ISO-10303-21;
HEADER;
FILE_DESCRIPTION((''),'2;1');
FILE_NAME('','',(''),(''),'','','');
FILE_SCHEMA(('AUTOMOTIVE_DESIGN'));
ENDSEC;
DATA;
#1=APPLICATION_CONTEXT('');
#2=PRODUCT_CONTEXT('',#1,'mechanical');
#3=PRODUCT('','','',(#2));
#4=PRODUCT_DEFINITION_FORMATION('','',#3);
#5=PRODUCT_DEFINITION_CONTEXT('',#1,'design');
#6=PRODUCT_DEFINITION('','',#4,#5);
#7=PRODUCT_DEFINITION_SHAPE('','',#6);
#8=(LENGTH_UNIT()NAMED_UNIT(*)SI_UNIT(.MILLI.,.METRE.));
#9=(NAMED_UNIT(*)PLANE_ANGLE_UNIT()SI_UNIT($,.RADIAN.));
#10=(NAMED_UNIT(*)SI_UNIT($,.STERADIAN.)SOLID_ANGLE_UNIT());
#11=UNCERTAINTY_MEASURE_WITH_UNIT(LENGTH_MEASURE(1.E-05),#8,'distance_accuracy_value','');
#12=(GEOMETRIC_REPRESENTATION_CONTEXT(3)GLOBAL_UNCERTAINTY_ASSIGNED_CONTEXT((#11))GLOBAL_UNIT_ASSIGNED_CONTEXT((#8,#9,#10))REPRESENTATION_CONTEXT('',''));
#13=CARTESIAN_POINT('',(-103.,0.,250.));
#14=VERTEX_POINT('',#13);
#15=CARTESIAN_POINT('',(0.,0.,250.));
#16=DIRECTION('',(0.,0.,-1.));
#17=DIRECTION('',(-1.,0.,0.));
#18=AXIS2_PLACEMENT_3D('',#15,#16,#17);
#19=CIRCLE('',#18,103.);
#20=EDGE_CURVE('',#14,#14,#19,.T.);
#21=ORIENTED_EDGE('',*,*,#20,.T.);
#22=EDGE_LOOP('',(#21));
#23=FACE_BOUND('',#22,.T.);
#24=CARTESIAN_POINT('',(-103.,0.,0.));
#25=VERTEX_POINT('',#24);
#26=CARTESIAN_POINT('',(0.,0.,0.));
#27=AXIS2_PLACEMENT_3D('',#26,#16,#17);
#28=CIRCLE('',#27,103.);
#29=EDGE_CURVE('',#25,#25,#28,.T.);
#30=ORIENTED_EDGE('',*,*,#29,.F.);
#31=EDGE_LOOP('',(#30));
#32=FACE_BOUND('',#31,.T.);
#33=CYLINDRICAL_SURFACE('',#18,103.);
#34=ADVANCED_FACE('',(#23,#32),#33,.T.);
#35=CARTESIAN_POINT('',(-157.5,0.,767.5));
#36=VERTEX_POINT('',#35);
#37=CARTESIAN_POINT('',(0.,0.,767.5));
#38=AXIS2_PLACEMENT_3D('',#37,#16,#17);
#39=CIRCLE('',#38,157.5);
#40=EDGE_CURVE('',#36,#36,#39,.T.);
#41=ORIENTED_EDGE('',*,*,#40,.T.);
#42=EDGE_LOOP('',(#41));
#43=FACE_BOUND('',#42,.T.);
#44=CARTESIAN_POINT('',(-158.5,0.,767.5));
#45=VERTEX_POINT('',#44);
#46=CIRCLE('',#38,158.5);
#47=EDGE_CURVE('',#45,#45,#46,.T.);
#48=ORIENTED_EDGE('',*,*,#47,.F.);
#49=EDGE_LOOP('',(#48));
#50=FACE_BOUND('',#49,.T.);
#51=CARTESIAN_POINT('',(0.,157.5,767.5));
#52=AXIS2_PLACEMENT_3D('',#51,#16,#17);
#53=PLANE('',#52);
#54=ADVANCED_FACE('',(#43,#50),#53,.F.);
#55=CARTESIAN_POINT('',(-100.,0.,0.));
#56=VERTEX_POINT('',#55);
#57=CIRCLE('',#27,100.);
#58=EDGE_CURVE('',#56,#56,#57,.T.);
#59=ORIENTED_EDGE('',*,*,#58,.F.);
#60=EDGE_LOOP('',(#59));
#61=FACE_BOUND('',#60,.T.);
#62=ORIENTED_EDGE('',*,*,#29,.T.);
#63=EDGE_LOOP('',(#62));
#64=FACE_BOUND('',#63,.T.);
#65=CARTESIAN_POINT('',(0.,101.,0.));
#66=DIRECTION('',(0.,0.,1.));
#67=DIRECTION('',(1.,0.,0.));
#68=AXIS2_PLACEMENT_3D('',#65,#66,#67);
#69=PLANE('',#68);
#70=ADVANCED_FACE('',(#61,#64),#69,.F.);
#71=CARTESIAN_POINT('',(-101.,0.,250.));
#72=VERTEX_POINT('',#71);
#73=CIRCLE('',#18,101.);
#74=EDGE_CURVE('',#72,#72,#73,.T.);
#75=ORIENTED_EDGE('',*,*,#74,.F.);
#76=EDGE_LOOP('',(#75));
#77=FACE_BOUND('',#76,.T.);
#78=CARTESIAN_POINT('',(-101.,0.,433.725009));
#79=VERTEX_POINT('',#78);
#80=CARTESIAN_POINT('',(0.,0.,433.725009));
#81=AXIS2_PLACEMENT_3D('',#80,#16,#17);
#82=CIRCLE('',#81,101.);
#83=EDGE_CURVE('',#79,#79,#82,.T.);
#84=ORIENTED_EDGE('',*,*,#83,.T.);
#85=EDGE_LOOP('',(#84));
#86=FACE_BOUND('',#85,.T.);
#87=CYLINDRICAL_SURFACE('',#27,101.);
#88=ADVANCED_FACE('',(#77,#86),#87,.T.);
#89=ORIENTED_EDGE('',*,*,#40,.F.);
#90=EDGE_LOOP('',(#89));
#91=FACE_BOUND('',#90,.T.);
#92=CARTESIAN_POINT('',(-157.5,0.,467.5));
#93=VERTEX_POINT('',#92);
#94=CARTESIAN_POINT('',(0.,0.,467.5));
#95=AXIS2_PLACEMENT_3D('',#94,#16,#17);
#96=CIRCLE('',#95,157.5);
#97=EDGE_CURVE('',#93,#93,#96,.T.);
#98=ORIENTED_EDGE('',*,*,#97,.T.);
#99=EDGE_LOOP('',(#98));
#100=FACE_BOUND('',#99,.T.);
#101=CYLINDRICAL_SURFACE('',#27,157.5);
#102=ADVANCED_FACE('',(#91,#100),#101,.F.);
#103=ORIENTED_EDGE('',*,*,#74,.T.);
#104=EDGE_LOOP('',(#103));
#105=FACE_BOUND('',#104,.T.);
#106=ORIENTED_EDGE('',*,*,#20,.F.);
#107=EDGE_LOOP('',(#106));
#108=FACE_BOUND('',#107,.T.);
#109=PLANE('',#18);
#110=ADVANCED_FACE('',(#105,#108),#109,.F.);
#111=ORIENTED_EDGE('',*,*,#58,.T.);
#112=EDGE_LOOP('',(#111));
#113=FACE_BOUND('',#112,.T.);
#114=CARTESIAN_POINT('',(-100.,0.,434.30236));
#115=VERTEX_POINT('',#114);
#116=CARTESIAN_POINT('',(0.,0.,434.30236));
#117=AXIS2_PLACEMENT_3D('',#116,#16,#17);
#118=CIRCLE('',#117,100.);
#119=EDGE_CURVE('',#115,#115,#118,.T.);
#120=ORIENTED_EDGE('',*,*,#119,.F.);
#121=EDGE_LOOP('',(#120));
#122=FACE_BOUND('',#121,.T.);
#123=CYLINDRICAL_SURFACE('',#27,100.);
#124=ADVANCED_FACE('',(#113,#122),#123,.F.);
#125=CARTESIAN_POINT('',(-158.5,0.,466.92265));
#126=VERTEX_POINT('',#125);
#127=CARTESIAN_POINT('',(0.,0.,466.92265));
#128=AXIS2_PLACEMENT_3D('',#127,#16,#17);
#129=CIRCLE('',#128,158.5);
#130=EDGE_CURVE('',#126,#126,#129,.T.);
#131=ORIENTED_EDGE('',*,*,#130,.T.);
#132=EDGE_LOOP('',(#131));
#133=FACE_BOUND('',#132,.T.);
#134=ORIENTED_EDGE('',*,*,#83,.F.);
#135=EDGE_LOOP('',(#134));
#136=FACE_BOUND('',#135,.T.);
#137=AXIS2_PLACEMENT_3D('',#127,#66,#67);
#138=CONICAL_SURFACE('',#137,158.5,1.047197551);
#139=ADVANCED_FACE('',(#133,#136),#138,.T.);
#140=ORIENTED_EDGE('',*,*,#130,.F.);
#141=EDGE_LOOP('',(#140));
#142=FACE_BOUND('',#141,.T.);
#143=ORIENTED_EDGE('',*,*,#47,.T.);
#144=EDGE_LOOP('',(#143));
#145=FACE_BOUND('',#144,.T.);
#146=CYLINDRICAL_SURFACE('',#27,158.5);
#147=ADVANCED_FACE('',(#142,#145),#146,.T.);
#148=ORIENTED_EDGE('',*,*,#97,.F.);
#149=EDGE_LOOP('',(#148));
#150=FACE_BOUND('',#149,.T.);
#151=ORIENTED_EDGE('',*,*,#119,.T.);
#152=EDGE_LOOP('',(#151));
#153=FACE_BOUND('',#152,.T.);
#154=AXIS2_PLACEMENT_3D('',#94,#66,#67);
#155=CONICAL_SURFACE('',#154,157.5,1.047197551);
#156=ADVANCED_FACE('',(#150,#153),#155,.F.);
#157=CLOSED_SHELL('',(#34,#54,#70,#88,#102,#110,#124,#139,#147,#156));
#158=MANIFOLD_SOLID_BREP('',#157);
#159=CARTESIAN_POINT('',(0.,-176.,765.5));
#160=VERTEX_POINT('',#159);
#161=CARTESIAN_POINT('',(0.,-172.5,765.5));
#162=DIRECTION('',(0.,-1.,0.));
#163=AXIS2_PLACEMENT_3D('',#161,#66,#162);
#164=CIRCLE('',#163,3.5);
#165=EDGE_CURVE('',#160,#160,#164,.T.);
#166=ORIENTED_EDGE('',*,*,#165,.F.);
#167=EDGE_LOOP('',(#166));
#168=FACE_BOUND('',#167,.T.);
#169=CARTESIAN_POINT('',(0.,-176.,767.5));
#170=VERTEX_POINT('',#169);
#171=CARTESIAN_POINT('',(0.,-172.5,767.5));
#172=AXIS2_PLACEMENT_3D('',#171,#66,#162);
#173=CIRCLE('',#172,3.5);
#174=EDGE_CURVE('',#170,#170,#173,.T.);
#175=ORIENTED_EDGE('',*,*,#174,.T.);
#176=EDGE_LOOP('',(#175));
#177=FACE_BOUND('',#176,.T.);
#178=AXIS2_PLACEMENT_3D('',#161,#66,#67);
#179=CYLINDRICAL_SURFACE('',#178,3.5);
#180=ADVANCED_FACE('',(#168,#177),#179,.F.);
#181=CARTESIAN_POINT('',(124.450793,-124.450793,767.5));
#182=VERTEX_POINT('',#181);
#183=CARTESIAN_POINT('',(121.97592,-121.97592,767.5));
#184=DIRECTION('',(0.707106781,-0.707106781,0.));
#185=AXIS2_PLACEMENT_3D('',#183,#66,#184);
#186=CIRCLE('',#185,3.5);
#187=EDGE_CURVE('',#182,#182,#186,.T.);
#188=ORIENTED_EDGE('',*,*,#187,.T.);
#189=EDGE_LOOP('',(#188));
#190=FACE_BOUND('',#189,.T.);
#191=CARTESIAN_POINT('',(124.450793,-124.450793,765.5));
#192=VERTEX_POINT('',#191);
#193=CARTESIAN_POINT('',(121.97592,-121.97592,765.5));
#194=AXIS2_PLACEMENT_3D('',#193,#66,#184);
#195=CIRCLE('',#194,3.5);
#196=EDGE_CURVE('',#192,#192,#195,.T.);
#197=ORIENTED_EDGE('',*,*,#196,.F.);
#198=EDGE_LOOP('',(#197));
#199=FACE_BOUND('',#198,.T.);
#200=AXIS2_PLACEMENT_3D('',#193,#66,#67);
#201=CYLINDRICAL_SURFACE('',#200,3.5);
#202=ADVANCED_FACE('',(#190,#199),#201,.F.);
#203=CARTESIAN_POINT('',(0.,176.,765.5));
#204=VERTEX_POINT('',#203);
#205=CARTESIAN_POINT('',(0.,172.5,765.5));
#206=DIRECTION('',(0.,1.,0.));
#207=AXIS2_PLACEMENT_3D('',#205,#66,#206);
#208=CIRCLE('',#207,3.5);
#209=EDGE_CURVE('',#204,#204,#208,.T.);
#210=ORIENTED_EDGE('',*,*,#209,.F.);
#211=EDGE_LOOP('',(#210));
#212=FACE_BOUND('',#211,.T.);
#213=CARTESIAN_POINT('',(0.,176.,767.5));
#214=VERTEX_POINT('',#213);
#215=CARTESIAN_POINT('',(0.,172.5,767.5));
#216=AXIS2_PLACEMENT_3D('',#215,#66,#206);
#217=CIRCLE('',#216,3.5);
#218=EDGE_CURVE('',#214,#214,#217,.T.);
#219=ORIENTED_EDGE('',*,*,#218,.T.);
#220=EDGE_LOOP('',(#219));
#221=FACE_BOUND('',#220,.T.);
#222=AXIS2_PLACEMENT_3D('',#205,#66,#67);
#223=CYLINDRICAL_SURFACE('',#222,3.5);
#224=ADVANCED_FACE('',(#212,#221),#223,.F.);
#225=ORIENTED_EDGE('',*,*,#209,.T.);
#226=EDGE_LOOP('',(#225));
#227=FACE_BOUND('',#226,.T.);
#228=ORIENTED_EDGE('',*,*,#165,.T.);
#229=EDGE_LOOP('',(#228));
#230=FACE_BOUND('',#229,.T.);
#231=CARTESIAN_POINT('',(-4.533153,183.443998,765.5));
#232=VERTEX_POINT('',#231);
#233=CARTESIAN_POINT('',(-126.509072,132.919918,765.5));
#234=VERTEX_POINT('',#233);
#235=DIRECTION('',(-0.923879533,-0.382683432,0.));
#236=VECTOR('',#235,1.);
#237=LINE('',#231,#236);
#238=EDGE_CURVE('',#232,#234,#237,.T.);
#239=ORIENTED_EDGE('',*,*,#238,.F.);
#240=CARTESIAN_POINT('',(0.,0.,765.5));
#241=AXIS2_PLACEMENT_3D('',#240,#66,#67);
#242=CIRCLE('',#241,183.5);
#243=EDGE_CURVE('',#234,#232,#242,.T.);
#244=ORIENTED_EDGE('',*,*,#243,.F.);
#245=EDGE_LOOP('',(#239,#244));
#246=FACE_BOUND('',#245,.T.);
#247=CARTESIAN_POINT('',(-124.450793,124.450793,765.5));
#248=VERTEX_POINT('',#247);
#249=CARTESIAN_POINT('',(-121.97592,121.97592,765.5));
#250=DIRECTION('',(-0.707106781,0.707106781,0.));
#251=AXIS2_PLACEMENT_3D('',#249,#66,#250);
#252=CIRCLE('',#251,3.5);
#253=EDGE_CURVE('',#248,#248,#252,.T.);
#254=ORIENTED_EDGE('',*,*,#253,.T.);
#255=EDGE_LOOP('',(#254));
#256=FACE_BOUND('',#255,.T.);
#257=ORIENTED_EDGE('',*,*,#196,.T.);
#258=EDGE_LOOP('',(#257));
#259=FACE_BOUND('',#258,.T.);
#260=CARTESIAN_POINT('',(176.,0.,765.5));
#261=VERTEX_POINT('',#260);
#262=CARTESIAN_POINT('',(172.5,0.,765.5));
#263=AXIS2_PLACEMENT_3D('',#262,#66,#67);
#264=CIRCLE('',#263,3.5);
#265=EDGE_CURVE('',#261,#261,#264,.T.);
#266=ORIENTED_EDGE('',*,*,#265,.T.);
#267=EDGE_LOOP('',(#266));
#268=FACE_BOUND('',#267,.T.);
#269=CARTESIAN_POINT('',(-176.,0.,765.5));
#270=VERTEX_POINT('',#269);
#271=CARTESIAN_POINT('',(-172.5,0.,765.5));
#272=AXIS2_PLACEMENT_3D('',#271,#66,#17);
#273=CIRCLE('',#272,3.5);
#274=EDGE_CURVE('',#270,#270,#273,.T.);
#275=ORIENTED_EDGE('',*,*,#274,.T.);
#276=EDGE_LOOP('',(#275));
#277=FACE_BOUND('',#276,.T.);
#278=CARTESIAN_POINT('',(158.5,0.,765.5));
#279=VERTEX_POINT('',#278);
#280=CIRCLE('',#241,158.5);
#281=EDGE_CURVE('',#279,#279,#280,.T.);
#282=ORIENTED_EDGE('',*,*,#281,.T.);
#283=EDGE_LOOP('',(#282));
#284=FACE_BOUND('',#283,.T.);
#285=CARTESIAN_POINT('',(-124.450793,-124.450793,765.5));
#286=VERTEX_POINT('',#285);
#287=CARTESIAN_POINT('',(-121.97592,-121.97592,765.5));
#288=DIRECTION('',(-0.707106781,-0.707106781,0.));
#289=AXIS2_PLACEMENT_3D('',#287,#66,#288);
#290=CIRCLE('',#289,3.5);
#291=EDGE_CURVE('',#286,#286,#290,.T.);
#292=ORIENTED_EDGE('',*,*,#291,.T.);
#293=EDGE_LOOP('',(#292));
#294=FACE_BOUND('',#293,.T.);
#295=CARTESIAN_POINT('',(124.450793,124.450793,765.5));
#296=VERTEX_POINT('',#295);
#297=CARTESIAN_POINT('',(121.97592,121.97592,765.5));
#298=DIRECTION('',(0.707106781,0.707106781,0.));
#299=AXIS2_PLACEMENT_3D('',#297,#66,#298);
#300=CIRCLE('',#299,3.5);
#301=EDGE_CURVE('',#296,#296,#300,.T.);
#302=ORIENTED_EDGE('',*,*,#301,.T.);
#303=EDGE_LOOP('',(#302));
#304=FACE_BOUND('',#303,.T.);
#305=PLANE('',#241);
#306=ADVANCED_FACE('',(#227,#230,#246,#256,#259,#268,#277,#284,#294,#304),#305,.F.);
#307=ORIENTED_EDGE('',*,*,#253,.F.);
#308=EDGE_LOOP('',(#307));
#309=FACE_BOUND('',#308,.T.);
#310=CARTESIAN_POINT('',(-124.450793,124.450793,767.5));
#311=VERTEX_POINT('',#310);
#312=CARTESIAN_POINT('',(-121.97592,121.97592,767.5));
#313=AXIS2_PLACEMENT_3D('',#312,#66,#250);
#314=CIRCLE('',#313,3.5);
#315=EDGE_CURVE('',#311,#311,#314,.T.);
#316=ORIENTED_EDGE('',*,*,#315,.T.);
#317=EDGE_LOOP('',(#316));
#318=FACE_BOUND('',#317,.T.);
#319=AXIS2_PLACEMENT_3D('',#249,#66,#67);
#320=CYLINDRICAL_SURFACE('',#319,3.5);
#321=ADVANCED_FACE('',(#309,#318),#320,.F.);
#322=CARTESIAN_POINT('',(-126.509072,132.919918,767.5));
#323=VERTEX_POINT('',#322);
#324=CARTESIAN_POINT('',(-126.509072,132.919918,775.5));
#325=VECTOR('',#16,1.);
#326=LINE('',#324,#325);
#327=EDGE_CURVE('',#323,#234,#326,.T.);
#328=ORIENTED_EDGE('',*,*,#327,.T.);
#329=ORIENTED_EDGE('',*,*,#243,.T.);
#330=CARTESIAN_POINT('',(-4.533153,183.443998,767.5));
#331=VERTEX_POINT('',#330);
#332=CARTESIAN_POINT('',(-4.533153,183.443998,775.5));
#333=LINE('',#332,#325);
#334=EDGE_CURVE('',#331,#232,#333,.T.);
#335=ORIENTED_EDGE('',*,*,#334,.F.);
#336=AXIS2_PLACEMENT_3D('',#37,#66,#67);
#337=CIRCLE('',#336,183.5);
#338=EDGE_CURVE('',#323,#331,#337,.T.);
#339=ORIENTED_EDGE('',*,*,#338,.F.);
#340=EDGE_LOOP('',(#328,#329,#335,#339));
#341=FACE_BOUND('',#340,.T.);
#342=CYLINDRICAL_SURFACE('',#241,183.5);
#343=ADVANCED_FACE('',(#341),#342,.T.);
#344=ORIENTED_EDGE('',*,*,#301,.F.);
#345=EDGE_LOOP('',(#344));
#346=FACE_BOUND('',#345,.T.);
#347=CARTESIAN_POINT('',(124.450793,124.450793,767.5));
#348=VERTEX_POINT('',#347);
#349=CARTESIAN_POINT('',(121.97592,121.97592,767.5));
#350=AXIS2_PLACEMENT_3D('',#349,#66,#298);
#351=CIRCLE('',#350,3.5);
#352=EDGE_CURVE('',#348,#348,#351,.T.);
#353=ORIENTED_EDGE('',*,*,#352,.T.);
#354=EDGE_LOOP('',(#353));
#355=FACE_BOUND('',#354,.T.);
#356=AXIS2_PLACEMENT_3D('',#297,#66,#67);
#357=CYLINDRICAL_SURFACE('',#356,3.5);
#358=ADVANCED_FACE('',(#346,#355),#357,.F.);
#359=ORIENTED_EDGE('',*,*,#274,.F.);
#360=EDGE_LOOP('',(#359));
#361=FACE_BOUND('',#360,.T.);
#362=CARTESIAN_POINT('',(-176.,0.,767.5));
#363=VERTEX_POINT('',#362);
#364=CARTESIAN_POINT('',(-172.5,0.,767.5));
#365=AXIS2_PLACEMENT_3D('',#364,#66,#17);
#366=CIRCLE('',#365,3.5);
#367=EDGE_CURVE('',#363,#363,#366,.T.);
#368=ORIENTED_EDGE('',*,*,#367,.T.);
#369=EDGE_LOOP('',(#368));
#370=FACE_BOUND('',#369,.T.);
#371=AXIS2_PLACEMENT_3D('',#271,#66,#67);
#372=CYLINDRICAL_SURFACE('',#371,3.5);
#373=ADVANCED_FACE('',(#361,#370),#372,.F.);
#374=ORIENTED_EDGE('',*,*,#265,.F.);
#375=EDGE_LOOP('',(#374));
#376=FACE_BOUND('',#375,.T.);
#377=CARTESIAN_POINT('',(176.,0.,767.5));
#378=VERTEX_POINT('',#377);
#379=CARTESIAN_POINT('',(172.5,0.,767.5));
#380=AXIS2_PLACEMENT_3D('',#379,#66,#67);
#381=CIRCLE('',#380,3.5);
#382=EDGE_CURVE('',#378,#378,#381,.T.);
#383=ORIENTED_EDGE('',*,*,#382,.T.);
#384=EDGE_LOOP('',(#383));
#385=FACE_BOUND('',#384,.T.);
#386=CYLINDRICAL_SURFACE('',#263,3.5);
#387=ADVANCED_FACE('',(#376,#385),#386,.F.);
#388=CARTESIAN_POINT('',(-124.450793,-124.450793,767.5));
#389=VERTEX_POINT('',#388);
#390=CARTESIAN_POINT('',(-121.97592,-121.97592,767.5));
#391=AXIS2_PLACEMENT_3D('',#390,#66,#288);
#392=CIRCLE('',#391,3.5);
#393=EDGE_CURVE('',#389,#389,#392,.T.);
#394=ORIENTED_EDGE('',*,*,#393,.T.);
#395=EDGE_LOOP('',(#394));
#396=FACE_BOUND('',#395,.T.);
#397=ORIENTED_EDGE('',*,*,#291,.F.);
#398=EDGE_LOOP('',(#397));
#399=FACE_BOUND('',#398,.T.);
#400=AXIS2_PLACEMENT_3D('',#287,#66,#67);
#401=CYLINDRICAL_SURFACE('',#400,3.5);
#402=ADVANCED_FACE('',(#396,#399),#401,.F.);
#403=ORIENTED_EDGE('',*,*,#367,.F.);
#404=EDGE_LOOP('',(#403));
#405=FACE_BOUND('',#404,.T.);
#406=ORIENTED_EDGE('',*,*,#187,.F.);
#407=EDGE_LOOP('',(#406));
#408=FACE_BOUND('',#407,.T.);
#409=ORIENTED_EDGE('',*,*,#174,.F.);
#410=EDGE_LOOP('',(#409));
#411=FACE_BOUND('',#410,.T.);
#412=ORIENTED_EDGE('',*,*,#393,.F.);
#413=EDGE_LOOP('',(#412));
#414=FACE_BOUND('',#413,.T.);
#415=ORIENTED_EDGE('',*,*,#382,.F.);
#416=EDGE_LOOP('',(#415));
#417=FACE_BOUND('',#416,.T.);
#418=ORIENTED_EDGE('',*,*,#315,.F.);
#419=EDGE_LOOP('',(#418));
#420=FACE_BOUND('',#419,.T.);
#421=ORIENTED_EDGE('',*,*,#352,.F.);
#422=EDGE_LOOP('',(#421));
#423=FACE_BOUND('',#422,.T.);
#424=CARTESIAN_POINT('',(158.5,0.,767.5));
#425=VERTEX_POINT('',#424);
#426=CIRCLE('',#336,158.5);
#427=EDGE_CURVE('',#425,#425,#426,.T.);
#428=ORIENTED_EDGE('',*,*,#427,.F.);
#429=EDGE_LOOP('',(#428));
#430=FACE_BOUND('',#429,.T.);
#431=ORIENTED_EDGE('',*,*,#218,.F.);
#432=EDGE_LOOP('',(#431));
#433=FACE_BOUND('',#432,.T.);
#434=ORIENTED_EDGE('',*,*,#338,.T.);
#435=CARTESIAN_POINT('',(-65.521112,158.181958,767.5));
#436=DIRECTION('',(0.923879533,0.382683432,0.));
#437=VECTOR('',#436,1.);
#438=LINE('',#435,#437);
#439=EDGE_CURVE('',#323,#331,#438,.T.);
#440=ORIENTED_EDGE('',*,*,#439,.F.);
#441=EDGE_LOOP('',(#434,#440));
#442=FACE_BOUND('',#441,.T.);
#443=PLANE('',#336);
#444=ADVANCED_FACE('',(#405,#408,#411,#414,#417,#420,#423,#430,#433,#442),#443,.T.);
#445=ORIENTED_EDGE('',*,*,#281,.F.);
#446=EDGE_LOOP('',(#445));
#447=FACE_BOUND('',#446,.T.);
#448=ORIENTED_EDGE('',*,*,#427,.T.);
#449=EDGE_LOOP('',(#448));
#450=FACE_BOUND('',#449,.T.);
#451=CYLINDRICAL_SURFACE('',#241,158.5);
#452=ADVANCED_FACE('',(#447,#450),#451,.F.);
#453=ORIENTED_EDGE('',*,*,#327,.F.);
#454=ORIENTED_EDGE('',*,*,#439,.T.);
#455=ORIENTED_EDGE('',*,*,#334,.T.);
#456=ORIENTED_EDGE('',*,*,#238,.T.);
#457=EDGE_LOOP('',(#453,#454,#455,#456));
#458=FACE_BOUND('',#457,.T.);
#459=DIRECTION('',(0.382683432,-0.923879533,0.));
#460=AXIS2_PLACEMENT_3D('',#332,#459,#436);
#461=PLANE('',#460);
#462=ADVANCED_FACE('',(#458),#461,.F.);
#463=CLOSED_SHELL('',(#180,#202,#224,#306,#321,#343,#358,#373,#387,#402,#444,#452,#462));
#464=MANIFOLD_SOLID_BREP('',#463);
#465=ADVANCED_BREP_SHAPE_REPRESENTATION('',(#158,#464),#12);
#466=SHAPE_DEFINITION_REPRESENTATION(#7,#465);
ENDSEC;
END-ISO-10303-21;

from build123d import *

# Parameters (mm, degrees)
EXTRUDE_THIN1_START = -250
SKETCH2_R           = 103
SKETCH2_R_2         = 101
EXTRUDE_THIN1_DEPTH = 250
SKETCH3_R           = 183.5
SKETCH3_R_2         = 158.5
EXTRUDE1_DEPTH      = 2
SKETCH4_R           = 3.5
EXTRUDE2_DEPTH      = 2
CIRPATTERN1_COUNT   = 8
EXTRUDE3_DEPTH      = 10


with BuildPart() as part:
    # Sketch1 → Revolve-Thin1 (revolve)
    with BuildSketch(Plane(origin=(0, 0, 0), x_dir=(0, 0, -1), z_dir=(1, 0, 0)), mode=Mode.PRIVATE) as revolve_thin1_sk:
        Polygon((-767.5, 157.5), (-467.5, 157.5), (-434.302359522, 100), (0, 100), (0, 101), (-433.725009252, 101), (-466.922649731, 158.5), (-767.5, 158.5), align=None)
    revolve(revolve_thin1_sk.sketch.rotate(Axis((0, 0, 0), (0, 0, 1)), 90), axis=Axis((0, 0, 0), (0, 0, 1)))

    # Sketch2 → Extrude-Thin1 (add)
    with BuildSketch(Plane(origin=(0, 0, 0), x_dir=(-1, 0, 0), z_dir=(0, 0, -1)).offset(EXTRUDE_THIN1_START)):
        Circle(SKETCH2_R)
        Circle(SKETCH2_R_2, mode=Mode.SUBTRACT)
    extrude(amount=EXTRUDE_THIN1_DEPTH)


with BuildPart() as body_2:
    # Sketch3 → Extrude1 (new body)
    with BuildSketch(Plane.XY.offset(767.5)):
        Circle(SKETCH3_R)
        Circle(SKETCH3_R_2, mode=Mode.SUBTRACT)
    extrude(amount=-EXTRUDE1_DEPTH)

    # Sketch4 → Extrude2 (cut)
    with BuildSketch(Plane.XY.offset(767.5)):
        with Locations((172.5, 0)):
            Circle(SKETCH4_R)
    extrude2 = extrude(amount=-EXTRUDE2_DEPTH, mode=Mode.SUBTRACT)

    # CirPattern1: Extrude2 ×8 about axis
    cirpattern1_axis = Axis((0, 0, 0), (0, 0, 1))
    for i in range(1, CIRPATTERN1_COUNT):
        add(extrude2.rotate(cirpattern1_axis, i * 360 / CIRPATTERN1_COUNT), mode=Mode.SUBTRACT)

    # Sketch5 → Extrude3 (cut)
    with BuildSketch(Plane(origin=(0, 0, 765.5), x_dir=(-1, 0, 0), z_dir=(0, 0, -1))):
        with BuildLine():
            Line((4.53315254, 183.443998343), (126.509072295, 132.919918098))
            ThreePointArc((126.509072295, 132.919918098), (70.222409839, 169.531894216), (4.53315254, 183.443998343))
        make_face()
    extrude(amount=-EXTRUDE3_DEPTH, mode=Mode.SUBTRACT)


solid = Compound([part.part, body_2.part])
